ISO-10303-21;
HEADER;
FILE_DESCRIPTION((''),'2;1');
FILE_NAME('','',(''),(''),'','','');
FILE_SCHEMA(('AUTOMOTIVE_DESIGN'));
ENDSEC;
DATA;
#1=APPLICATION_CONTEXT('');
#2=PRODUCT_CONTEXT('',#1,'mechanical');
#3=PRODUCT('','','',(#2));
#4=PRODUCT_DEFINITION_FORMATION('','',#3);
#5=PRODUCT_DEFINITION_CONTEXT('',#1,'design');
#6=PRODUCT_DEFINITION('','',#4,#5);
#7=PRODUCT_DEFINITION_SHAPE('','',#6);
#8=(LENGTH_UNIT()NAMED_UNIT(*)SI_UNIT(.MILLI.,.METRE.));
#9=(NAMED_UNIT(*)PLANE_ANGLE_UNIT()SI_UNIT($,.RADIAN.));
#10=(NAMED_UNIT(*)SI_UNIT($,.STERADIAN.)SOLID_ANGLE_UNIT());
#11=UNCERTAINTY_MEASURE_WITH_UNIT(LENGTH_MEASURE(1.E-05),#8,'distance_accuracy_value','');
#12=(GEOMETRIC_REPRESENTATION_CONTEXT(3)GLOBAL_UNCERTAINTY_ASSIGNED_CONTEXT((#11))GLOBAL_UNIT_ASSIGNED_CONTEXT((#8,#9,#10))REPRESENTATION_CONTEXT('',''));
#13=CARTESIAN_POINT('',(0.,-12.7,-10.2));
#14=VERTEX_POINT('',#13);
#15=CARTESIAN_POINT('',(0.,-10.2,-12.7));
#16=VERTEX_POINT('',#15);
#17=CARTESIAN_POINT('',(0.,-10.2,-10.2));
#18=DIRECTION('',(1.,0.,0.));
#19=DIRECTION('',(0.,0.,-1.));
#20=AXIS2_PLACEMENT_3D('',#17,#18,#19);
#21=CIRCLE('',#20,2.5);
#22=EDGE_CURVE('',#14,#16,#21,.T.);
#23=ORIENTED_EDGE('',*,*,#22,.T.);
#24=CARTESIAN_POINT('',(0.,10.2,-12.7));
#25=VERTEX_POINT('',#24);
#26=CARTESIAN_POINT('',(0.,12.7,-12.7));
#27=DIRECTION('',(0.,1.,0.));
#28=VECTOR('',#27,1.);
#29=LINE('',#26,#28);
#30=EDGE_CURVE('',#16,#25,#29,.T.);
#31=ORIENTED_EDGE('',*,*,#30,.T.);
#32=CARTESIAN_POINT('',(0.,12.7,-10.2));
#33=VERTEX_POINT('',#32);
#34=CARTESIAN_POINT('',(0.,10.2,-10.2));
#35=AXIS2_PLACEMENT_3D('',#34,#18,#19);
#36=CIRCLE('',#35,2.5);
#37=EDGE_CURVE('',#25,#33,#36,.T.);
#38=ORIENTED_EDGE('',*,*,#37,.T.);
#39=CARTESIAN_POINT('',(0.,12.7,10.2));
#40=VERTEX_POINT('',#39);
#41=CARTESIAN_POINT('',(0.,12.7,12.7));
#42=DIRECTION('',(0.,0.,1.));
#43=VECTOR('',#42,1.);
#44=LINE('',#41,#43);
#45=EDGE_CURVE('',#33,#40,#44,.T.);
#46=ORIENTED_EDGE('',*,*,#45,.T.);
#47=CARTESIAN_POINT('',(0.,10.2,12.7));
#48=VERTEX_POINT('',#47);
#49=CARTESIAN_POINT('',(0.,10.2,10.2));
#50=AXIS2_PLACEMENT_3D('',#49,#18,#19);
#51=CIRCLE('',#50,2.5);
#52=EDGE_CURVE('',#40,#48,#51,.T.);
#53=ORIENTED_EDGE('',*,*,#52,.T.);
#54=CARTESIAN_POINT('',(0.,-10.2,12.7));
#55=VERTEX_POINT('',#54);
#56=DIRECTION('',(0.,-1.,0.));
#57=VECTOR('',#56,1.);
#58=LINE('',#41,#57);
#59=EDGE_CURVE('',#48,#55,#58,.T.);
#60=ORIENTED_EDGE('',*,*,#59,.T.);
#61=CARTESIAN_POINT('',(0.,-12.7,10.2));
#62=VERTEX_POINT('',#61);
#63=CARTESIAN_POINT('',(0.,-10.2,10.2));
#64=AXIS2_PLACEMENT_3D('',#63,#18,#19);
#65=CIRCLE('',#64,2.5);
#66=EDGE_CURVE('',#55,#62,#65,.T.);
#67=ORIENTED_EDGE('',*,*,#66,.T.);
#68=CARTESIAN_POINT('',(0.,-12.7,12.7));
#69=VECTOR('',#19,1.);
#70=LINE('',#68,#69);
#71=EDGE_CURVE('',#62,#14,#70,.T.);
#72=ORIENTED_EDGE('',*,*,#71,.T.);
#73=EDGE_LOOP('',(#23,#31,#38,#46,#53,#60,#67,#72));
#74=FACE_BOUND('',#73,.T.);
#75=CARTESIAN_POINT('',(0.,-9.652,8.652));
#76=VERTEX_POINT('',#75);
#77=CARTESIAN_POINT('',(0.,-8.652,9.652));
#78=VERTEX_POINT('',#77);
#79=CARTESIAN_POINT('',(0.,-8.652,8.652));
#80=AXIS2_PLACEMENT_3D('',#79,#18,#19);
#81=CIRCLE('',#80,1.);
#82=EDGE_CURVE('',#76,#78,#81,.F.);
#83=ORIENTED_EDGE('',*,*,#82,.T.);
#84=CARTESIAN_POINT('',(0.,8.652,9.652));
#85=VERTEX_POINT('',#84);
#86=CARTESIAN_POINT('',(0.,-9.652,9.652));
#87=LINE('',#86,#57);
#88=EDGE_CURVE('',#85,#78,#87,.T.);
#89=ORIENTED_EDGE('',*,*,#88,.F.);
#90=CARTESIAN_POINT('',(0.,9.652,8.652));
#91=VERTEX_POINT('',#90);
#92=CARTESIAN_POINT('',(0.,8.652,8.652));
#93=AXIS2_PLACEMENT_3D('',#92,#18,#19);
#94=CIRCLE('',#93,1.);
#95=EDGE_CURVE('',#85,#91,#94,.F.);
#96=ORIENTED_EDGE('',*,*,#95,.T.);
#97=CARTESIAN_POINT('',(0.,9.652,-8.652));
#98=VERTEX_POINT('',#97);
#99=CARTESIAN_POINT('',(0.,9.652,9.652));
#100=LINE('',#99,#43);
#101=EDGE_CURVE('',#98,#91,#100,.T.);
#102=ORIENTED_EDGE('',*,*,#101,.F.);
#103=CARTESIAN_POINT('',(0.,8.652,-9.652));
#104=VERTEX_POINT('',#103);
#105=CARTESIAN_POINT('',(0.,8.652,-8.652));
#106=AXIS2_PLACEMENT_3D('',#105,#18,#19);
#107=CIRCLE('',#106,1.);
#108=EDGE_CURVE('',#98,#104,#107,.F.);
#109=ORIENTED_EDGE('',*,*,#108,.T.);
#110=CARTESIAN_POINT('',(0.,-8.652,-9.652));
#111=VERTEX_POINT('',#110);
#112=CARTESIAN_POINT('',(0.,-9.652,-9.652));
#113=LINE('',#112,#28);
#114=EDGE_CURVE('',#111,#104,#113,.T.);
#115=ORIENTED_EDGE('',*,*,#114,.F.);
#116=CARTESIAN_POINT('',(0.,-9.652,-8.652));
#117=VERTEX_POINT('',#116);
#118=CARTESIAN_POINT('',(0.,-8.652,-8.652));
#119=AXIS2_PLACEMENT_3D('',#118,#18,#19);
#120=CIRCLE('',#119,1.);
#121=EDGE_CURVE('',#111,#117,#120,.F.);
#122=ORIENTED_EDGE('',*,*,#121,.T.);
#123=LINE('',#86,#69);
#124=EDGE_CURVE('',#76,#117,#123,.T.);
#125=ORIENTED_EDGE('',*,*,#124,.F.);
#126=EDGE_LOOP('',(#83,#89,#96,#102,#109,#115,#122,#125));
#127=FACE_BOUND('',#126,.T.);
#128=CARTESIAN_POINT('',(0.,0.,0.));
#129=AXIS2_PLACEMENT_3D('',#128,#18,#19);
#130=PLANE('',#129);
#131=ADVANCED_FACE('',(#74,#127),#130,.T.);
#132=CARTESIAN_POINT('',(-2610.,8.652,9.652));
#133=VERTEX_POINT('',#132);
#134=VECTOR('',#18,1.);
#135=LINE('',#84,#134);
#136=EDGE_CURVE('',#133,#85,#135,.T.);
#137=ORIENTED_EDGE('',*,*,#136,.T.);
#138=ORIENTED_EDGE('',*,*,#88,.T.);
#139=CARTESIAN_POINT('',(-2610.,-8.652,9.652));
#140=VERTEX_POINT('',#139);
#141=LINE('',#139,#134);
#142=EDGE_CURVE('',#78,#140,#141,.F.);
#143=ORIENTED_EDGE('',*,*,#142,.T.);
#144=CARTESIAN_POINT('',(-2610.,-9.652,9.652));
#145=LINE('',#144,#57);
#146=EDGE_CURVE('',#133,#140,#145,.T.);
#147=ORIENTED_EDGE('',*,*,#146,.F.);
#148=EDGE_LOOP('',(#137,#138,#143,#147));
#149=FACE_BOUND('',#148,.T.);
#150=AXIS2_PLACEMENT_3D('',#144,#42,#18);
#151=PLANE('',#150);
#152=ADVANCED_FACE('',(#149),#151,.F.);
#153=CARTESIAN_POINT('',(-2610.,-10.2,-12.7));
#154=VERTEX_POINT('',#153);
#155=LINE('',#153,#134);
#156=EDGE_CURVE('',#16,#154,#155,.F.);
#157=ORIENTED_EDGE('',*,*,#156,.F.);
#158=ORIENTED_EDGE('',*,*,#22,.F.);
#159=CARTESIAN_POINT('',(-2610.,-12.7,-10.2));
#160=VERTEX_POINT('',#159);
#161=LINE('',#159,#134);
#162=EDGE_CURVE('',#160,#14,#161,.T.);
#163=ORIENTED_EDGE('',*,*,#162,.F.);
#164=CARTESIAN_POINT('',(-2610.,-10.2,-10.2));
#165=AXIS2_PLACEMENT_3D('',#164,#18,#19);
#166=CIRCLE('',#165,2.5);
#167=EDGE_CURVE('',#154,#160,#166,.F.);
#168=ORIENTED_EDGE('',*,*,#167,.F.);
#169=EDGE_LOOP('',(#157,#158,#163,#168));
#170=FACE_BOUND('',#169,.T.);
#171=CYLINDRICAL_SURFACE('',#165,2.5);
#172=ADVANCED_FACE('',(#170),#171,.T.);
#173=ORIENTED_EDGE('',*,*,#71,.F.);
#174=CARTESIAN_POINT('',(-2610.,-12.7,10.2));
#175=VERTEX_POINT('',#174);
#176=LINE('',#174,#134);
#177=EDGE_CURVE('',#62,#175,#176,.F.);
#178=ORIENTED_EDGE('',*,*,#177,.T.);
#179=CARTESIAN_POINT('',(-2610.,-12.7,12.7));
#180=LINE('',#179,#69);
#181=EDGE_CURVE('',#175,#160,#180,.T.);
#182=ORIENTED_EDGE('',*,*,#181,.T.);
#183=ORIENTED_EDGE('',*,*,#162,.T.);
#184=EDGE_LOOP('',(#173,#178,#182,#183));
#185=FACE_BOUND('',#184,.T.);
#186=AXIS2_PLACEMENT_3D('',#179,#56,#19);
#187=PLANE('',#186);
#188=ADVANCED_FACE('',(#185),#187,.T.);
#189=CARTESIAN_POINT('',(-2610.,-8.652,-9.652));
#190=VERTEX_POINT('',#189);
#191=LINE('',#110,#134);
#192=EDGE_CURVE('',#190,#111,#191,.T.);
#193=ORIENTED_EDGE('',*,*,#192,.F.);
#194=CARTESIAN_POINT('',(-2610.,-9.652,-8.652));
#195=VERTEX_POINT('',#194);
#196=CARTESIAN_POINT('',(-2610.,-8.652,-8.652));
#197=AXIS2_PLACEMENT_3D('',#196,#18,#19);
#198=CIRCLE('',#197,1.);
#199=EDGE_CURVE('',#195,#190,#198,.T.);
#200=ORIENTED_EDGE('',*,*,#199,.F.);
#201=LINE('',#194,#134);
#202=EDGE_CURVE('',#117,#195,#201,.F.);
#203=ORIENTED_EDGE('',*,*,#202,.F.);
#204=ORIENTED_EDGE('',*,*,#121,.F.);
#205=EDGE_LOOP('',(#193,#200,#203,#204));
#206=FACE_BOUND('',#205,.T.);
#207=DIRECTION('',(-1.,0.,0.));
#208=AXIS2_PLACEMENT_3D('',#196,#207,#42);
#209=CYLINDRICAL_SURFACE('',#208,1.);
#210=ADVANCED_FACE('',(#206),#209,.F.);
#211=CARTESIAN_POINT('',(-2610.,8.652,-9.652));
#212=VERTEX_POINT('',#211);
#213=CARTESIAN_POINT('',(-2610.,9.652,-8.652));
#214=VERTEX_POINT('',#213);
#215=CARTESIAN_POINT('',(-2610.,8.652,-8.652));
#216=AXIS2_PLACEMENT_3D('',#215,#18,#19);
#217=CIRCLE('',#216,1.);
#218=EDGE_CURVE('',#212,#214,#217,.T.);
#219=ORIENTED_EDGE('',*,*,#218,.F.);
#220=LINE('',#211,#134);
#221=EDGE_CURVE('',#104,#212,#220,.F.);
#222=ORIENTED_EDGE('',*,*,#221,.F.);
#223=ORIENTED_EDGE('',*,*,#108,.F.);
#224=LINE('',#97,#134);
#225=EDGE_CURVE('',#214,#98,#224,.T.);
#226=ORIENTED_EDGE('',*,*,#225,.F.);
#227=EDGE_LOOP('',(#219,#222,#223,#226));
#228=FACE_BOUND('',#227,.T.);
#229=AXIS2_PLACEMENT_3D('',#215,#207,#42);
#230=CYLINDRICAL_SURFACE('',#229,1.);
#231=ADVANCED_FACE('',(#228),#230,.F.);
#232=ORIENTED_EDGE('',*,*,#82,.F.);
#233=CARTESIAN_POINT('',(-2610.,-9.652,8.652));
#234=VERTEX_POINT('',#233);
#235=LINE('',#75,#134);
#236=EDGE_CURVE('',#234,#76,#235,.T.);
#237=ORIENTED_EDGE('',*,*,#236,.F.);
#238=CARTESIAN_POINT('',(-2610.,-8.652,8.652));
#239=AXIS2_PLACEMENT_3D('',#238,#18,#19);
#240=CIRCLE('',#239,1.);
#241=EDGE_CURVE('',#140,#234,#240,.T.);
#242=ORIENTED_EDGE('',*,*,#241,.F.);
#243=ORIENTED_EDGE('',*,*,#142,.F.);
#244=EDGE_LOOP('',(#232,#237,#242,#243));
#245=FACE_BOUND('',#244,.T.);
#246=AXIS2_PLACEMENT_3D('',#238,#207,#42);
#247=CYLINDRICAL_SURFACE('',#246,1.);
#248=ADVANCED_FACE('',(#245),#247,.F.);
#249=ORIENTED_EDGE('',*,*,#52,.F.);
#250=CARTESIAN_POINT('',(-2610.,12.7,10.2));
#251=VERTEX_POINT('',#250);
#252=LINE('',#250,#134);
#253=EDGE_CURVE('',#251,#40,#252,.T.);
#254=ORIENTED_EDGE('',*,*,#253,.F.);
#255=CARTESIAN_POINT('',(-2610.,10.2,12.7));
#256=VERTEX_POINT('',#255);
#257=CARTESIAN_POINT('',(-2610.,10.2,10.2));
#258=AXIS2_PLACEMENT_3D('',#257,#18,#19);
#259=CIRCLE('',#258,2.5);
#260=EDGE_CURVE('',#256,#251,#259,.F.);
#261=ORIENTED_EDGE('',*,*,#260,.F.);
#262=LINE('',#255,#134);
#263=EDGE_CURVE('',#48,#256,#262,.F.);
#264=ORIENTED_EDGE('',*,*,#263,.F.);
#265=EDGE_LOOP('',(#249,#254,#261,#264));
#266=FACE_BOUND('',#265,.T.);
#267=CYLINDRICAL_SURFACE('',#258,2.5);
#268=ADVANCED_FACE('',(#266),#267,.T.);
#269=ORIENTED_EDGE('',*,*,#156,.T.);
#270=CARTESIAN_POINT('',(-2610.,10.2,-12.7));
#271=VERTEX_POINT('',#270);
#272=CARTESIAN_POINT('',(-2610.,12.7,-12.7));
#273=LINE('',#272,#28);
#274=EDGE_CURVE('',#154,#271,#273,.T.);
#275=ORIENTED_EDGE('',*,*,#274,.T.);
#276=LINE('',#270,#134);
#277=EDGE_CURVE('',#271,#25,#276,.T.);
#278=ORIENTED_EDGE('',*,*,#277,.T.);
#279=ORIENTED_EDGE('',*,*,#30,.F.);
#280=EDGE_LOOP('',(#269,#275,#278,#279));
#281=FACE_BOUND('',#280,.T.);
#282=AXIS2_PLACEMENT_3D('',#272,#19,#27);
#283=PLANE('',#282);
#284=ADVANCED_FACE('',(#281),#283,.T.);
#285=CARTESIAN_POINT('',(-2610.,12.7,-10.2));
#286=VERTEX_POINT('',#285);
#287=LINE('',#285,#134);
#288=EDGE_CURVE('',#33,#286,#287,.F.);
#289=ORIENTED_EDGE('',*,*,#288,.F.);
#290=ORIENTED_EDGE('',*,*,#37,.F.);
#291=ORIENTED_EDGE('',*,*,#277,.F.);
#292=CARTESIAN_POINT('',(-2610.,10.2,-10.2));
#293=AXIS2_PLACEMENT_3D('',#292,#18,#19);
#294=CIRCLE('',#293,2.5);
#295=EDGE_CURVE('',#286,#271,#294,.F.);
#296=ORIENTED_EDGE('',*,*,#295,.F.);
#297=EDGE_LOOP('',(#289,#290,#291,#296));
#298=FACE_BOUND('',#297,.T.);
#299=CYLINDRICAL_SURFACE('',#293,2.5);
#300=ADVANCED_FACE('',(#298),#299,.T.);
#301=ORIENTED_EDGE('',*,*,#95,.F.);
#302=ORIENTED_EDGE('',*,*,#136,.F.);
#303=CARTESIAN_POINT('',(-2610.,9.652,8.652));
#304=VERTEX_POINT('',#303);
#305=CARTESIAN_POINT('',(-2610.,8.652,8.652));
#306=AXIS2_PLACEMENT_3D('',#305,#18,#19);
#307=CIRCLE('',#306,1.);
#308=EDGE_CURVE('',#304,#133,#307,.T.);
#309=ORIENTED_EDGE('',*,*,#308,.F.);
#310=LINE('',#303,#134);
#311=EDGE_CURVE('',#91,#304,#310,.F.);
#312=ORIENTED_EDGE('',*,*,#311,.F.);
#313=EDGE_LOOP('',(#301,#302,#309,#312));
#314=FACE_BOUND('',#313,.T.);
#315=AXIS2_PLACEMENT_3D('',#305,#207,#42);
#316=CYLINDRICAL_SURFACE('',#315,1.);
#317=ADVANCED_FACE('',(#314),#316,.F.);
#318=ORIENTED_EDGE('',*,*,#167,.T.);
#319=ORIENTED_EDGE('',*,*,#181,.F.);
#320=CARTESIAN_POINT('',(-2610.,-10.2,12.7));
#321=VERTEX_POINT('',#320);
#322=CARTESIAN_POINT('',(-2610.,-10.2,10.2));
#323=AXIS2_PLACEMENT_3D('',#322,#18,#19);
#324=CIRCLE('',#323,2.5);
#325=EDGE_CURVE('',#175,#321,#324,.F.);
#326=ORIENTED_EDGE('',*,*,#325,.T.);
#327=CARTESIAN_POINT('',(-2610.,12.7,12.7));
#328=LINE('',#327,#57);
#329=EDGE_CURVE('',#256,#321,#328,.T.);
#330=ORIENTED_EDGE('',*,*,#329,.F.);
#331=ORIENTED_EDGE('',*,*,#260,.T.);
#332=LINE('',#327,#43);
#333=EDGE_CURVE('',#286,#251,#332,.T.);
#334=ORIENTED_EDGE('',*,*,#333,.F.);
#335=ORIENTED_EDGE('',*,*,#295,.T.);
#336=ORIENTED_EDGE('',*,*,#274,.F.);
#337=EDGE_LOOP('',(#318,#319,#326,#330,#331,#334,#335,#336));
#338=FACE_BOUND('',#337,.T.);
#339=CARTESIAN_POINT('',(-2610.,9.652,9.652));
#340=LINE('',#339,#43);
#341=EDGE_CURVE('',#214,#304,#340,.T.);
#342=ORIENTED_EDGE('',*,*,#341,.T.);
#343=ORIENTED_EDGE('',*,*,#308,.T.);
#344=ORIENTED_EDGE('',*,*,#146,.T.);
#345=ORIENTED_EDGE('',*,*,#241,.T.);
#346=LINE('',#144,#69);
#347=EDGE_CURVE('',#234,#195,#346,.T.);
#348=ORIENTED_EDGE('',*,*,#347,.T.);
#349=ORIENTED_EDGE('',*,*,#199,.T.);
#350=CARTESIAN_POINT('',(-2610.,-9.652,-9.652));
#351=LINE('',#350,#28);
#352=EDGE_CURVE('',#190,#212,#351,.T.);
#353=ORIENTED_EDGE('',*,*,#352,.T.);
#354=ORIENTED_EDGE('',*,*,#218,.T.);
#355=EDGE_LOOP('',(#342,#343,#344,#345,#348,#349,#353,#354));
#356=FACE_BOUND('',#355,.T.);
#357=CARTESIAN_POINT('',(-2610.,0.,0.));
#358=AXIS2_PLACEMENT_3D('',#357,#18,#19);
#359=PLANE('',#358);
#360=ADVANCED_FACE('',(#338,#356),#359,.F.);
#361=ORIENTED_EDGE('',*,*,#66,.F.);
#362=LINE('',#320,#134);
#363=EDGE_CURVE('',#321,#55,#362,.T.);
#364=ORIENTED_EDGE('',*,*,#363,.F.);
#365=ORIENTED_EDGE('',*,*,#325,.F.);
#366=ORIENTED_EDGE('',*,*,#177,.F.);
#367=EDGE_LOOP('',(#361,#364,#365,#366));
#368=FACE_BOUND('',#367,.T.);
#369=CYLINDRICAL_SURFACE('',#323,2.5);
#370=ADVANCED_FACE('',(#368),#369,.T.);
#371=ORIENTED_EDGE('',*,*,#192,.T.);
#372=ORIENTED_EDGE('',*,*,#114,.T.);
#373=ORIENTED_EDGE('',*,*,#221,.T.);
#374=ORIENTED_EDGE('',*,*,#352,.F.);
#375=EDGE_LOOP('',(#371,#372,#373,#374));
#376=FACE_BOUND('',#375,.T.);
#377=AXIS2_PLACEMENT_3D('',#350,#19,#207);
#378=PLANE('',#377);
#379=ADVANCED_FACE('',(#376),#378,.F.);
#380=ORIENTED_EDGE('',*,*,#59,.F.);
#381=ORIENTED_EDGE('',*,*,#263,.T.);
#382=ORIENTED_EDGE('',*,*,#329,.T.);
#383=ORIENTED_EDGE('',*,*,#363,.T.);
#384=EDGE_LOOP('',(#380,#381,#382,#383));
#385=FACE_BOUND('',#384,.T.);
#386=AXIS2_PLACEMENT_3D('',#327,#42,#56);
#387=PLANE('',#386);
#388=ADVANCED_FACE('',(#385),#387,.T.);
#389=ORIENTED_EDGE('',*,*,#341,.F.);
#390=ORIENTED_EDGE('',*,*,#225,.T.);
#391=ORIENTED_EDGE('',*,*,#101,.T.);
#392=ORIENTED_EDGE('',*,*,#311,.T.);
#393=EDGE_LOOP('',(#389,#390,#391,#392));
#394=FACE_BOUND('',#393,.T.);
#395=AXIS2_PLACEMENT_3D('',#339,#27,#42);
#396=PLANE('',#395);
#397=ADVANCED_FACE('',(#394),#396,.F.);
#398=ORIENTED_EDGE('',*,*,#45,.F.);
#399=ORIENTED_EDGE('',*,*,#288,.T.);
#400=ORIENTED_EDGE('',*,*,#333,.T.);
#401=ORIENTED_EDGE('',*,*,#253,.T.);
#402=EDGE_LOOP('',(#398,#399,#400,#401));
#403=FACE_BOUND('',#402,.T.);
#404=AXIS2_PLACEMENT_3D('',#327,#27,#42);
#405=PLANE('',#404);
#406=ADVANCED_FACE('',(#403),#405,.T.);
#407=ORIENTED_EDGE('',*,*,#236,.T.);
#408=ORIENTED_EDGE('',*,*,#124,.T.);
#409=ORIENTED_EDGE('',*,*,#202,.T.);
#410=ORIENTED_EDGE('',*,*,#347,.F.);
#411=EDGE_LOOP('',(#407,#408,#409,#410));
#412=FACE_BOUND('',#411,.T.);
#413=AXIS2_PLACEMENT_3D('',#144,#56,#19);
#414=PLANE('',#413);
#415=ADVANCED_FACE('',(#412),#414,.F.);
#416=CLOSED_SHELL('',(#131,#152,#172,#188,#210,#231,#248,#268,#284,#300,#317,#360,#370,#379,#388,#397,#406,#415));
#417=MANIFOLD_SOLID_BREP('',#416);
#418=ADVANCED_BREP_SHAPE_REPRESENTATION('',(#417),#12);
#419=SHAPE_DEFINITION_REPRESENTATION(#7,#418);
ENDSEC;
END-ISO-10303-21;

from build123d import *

# Parameters (mm, degrees)
SKETCH3_W           = 25.4
SKETCH3_H           = 25.4
SKETCH3_W_2         = 19.304
SKETCH3_H_2         = 19.304
BOSS_EXTRUDE1_DEPTH = 2610
FILLET1_R           = 2.5
FILLET2_R           = 1


with BuildPart() as part:
    # Sketch3 → Boss-Extrude1 (new body)
    with BuildSketch(Plane(origin=(0, 0, 0), x_dir=(0, 0, -1), z_dir=(1, 0, 0))):
        Rectangle(SKETCH3_W, SKETCH3_H)
        Rectangle(SKETCH3_W_2, SKETCH3_H_2, mode=Mode.SUBTRACT)
    extrude(amount=-BOSS_EXTRUDE1_DEPTH)

    # Fillet1
    fillet1_edges = [part.edges().sort_by_distance(p)[0] for p in [
        (-1305, -12.7, -12.7),
        (-1305, -12.7, 12.7),
        (-1305, 12.7, 12.7),
        (-1305, 12.7, -12.7),
    ]]
    fillet(fillet1_edges, radius=FILLET1_R)

    # Fillet2
    fillet2_edges = [part.edges().sort_by_distance(p)[0] for p in [
        (-1305, 9.652, -9.652),
        (-1305, -9.652, -9.652),
        (-1305, -9.652, 9.652),
        (-1305, 9.652, 9.652),
    ]]
    fillet(fillet2_edges, radius=FILLET2_R)


solid = part.part
